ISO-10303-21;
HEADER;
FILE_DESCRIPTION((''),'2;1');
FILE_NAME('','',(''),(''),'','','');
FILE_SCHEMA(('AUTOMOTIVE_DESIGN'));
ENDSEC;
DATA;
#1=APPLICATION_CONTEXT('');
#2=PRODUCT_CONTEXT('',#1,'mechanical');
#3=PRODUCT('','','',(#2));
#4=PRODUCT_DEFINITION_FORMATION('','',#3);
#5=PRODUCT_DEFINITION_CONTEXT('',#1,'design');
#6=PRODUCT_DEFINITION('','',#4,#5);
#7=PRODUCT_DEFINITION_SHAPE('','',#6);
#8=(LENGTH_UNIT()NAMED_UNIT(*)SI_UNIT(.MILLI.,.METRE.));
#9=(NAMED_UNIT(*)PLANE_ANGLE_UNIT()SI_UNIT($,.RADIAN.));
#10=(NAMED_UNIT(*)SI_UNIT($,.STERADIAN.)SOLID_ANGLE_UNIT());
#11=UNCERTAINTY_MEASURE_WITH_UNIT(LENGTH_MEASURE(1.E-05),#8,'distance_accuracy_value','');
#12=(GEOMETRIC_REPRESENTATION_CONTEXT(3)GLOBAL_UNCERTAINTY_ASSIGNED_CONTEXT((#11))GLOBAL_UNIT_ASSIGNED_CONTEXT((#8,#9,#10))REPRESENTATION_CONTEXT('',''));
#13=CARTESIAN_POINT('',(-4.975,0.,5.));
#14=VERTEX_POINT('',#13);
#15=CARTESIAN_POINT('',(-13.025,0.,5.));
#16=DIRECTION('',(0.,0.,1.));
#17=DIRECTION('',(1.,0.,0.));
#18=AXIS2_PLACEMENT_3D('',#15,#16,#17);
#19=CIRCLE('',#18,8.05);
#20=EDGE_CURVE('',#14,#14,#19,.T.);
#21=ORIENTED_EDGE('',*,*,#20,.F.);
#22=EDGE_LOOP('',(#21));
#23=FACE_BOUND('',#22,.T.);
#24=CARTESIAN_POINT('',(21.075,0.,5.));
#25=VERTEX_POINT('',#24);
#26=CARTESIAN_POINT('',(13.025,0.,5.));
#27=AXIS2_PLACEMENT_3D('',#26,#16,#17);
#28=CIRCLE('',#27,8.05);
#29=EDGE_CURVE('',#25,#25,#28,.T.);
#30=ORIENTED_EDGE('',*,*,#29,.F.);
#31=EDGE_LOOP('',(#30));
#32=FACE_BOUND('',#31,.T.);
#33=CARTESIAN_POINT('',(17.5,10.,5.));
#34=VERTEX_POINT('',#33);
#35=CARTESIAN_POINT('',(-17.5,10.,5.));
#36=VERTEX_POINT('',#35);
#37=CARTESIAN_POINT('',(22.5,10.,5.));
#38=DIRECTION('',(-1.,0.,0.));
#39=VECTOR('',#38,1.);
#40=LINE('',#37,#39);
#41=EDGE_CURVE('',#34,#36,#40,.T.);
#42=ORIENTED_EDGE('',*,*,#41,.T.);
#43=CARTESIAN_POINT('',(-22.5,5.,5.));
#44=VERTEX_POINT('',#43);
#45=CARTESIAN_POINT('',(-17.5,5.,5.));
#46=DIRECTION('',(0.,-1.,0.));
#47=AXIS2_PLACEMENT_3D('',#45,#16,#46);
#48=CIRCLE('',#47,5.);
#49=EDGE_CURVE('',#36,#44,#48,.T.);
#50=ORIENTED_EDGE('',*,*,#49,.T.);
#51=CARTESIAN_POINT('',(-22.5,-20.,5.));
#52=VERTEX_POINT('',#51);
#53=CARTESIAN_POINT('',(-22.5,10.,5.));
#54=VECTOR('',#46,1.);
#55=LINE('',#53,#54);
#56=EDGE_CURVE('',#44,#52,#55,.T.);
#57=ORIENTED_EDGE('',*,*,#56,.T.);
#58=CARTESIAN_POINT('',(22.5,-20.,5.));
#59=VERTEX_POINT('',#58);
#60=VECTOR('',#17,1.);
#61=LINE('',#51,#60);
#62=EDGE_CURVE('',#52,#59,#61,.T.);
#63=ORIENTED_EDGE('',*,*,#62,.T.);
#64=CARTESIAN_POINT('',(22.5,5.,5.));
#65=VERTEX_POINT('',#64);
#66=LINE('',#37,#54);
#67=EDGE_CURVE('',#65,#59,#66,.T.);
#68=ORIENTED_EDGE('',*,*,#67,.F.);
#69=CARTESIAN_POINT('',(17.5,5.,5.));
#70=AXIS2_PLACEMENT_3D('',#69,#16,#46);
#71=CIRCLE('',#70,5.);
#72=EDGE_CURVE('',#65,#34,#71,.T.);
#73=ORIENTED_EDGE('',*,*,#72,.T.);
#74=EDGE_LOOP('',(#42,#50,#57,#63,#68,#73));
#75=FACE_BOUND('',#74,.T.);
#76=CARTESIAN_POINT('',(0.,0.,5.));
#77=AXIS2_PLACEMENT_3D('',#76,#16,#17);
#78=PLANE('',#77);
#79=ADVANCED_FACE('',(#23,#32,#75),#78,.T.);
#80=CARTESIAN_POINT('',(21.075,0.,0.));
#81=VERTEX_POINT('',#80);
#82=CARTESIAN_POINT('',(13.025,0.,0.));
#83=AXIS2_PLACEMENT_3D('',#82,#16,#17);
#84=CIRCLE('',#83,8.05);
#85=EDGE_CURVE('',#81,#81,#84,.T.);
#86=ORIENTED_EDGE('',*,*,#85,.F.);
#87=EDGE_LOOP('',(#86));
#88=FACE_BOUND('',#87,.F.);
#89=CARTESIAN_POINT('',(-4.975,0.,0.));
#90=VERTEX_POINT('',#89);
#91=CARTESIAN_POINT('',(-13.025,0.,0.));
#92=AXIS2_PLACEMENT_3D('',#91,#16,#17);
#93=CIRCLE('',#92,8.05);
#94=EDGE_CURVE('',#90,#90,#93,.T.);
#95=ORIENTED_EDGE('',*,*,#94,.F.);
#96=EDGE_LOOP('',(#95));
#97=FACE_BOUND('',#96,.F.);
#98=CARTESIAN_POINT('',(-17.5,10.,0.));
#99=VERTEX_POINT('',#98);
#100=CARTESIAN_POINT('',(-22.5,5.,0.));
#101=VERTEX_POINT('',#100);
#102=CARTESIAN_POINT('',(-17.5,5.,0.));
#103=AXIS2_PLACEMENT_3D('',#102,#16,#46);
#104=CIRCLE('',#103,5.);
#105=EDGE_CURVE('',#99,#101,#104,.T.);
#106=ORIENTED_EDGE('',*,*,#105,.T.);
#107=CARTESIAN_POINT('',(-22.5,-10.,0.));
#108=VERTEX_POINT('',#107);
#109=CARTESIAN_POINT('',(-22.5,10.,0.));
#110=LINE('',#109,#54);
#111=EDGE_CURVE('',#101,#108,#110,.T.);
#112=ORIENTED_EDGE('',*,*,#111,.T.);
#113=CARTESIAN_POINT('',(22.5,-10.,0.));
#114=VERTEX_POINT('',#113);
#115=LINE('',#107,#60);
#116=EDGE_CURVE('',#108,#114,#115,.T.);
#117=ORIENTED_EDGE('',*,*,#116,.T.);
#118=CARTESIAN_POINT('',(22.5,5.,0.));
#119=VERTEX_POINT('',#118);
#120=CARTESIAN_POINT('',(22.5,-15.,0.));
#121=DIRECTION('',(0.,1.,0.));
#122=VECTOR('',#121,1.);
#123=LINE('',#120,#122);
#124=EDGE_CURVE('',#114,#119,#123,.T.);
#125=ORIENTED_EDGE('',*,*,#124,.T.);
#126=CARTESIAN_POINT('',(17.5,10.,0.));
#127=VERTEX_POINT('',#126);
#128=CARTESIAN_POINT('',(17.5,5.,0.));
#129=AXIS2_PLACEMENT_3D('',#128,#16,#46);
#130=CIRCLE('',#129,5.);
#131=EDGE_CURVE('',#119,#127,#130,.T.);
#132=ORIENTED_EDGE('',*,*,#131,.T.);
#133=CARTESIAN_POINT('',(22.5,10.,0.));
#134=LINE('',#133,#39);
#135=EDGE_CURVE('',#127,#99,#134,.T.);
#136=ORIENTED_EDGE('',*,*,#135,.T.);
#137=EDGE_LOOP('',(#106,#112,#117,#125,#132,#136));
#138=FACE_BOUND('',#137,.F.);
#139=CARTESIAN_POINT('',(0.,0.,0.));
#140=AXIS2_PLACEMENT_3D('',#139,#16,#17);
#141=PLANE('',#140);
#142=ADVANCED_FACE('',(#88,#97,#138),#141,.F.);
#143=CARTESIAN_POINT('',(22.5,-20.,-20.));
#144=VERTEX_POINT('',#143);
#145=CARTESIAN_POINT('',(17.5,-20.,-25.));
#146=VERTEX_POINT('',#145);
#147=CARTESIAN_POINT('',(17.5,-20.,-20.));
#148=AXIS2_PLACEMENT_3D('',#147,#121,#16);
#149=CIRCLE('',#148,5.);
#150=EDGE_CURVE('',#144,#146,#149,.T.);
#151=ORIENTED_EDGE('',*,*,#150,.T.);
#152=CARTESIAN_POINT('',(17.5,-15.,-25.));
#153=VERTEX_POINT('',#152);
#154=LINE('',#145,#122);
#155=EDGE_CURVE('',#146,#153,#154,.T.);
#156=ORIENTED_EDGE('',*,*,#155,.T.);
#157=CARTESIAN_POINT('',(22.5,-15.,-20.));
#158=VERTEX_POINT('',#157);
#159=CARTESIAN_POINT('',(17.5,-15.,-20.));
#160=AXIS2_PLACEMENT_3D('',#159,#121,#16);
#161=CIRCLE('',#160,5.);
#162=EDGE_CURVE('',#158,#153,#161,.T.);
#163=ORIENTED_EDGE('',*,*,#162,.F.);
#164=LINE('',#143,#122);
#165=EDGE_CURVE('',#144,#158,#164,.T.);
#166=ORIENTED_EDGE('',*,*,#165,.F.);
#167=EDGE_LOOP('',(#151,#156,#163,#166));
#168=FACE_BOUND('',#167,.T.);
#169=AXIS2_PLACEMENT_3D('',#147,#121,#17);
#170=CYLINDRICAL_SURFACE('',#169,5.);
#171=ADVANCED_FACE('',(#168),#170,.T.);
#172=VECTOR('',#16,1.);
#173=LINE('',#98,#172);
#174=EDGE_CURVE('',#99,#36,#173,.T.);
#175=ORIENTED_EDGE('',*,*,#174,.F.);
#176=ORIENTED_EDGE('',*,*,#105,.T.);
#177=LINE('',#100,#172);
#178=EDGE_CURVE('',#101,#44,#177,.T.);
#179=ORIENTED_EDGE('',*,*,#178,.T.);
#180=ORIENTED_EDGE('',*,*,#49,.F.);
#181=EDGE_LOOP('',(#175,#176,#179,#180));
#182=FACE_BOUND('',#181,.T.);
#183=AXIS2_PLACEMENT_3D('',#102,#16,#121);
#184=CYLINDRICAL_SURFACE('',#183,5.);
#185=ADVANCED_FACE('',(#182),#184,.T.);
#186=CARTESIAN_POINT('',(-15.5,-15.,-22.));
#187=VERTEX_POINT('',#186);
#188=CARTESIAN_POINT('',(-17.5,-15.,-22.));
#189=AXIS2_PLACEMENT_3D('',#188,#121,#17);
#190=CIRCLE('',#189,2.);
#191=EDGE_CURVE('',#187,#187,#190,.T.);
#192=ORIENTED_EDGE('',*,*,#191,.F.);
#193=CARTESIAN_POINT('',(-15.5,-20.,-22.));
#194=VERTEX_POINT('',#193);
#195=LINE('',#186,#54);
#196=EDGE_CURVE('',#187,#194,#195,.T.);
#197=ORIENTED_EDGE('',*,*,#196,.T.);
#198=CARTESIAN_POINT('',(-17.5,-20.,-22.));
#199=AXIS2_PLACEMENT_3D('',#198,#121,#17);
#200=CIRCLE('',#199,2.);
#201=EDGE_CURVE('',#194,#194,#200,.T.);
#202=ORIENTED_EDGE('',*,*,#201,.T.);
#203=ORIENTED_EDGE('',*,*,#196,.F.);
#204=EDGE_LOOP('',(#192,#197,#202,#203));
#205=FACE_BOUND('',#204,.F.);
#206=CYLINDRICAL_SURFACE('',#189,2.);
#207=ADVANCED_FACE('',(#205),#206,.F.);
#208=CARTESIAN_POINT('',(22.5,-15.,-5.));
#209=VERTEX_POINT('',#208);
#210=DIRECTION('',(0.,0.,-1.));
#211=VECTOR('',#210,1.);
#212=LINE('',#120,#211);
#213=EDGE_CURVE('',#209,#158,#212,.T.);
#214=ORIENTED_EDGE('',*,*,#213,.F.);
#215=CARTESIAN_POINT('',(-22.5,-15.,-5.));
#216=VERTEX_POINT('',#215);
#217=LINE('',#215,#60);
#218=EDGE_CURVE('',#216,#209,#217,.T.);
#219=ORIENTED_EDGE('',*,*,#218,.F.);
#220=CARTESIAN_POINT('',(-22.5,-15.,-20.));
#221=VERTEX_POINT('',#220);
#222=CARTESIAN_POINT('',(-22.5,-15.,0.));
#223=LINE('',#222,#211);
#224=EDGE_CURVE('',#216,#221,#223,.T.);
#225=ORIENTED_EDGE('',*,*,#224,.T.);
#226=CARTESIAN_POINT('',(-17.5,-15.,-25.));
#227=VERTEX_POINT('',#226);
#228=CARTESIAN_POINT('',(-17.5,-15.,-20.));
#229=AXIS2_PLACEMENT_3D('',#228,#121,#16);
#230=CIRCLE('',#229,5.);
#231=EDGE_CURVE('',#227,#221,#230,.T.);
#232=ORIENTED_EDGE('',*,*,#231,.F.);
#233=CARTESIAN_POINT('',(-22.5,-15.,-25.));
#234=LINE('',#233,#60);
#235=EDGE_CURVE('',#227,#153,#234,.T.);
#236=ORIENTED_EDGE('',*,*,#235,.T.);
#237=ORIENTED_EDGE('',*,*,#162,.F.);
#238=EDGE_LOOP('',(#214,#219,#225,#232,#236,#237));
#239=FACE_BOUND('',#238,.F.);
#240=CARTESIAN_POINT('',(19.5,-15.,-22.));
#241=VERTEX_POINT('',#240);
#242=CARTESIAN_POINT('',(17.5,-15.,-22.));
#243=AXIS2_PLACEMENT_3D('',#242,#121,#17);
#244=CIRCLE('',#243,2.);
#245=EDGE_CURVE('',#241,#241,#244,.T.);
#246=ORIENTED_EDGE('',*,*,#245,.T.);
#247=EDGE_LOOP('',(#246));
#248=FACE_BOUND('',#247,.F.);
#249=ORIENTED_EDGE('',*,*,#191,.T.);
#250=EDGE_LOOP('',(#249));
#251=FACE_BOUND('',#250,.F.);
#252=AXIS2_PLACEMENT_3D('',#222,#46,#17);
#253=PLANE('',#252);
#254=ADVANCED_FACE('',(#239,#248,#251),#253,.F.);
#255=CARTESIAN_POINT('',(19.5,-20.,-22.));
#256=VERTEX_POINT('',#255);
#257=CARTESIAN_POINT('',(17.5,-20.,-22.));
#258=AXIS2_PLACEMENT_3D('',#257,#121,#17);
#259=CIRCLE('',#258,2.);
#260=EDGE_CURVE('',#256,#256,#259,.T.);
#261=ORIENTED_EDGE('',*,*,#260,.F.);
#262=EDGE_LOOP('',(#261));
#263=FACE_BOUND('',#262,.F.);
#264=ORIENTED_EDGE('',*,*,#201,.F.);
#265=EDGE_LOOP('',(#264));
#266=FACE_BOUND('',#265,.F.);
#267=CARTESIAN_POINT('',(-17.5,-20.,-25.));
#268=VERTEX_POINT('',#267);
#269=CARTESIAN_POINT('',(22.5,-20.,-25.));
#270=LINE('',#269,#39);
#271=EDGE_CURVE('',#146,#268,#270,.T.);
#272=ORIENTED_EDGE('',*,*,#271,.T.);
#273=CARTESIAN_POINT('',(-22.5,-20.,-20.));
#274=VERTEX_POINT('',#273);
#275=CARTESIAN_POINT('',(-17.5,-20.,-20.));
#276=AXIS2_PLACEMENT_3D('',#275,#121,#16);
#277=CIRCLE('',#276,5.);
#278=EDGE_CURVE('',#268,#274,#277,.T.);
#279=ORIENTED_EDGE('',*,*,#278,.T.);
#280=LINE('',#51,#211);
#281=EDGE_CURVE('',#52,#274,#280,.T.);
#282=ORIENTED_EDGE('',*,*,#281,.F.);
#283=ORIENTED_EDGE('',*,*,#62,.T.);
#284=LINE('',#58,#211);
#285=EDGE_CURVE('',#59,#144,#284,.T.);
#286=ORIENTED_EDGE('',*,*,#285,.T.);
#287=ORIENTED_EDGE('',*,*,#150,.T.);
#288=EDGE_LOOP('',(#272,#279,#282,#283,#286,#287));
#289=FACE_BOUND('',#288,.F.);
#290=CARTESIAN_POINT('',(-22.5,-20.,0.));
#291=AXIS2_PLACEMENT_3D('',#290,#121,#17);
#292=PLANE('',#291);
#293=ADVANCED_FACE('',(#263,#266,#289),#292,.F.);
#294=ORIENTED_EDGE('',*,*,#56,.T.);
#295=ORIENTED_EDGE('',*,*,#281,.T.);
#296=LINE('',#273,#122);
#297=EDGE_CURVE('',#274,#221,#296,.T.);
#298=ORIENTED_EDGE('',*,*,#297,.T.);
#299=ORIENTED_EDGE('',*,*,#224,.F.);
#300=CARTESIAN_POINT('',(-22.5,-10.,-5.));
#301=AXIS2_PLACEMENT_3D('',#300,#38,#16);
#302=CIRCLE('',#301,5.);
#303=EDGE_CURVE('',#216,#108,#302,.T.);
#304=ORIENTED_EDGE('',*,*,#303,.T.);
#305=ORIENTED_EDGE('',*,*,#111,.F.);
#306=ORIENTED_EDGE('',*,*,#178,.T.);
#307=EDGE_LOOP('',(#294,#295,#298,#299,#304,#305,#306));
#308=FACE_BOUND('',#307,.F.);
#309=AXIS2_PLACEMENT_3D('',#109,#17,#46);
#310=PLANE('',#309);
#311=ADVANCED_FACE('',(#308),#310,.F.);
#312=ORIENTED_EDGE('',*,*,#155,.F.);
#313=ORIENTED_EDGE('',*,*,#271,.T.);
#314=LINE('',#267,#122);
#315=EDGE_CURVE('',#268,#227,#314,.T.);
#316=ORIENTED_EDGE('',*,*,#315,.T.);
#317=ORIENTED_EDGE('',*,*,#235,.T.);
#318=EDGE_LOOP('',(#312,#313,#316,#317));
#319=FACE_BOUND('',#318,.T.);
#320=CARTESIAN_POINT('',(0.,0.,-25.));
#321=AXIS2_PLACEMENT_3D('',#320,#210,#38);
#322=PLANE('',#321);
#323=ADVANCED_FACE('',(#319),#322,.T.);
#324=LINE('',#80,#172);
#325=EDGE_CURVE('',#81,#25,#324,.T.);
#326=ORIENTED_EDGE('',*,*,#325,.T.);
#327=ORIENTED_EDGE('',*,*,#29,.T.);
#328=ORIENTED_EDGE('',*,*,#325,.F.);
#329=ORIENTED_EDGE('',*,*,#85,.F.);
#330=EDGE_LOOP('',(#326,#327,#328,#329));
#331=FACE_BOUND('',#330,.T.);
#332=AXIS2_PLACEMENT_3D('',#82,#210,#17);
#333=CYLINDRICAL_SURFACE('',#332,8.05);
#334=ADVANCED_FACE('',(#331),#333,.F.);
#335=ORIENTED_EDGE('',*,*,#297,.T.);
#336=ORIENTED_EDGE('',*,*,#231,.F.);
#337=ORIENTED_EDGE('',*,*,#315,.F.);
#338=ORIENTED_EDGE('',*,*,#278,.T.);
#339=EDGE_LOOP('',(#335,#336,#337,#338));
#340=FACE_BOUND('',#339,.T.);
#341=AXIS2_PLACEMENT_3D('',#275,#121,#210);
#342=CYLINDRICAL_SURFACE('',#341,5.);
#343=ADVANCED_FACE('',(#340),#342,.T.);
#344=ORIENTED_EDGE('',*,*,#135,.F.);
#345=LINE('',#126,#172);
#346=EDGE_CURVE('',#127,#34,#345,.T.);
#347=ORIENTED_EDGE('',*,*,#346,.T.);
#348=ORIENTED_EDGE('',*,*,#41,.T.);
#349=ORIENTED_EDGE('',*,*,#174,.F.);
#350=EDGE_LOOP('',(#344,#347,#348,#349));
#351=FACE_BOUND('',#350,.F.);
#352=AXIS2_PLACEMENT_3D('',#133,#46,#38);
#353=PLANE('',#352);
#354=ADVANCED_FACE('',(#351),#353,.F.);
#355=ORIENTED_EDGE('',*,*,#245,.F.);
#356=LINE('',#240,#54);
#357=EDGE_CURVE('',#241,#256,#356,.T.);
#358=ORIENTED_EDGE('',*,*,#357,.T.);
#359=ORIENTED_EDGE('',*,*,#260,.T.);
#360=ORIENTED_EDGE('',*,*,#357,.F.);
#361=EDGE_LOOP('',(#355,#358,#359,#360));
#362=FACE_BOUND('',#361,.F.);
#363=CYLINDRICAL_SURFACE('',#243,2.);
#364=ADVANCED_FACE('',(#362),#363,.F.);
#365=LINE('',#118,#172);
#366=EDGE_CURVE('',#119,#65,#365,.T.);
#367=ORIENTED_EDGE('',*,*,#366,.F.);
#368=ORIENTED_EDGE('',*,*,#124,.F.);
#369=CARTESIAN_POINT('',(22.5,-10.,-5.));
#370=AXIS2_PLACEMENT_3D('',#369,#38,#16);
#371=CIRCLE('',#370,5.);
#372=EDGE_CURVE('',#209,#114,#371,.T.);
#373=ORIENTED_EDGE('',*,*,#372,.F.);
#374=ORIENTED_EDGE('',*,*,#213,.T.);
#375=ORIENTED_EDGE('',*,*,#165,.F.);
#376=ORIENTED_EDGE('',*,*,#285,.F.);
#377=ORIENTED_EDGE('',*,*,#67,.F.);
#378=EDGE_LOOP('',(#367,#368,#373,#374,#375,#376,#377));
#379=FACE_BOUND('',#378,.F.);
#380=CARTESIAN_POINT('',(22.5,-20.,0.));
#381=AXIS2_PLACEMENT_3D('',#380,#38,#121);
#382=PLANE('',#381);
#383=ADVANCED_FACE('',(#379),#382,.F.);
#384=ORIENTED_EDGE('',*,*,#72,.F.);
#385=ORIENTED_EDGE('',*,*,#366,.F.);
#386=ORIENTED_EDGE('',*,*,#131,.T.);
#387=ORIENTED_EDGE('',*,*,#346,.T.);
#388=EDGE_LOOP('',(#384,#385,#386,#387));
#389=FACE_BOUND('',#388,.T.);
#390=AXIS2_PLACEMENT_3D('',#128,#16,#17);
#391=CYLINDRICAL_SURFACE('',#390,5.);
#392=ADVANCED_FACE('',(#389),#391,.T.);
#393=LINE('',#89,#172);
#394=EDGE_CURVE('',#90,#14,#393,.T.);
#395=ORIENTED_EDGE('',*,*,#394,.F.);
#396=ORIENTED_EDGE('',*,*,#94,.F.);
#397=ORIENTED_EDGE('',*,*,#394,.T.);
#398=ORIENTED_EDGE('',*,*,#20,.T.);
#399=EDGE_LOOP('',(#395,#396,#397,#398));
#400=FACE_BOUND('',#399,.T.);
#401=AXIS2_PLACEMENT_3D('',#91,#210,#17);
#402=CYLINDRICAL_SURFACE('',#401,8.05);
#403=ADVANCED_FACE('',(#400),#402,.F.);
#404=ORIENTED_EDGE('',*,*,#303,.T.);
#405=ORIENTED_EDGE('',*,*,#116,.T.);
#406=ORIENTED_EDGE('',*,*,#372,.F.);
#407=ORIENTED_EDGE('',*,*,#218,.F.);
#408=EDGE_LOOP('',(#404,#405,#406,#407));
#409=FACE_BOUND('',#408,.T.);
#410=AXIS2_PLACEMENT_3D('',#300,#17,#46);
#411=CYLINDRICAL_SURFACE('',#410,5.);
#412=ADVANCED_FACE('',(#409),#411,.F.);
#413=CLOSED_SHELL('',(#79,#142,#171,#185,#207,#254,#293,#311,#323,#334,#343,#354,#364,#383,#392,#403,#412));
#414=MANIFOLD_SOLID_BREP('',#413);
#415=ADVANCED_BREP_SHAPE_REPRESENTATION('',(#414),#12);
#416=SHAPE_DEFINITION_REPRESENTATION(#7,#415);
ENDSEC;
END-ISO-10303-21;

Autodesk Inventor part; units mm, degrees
ref_plane "YZ Plane" through (0, 0, 0) normal (1, 0, 0) x (0, 1, 0)
ref_plane "XZ Plane" through (0, 0, 0) normal (0, 1, 0) x (-1, 0, 0)
ref_plane "XY Plane" through (0, 0, 0) normal (0, 0, 1) x (1, 0, 0)
sketch "Náčrt1" plane through (0, 0, 0) normal (0, 0, 1) x (1, 0, 0)
  circle A0 centre (13.025, 0) radius 8.05
  circle A1 centre (-13.025, 0) radius 8.05
  line L0 (22.5, 0) -> (22.5, 10)
  line L1 (22.5, 10) -> (-22.5, 10)
  line L2 (-22.5, 10) -> (-22.5, -20)
  line L3 (-22.5, -20) -> (22.5, -20)
  line L4 (22.5, -20) -> (22.5, 0)
  point P0 (0, 0)
  point P1 (0, 0)
  dimension "d2" = 16.1
  dimension "d5" = 10
  dimension "d6" = 30
  dimension "d18" = 16.1
extrude "Vysunutí1" add sketch "Náčrt1" along normal blind 5
sketch "Náčrt2" plane through (0, 0, 0) normal (0, 0, -1) x (-1, 0, 0)
  line L0 (-22.5, -20) -> (-22.5, 10) projected
  line L1 (-22.5, -20) -> (22.5, -20)
  line L2 (22.5, -20) -> (22.5, -15)
  line L3 (22.5, -15) -> (-22.5, -15)
  line L4 (-22.5, -15) -> (-22.5, -20)
  point P0 (0, 0)
  dimension "d9" = 45
  dimension "d10" = 5
extrude "Vysunutí2" add sketch "Náčrt2" along normal blind 25
sketch "Náčrt3" plane through (-22.5, -15, 0) normal (0, 1, 0) x (1, 0, 0)
  circle A0 centre (40, 22) radius 2
  line L0 (45, 0) -> (45, 25) projected
  line L1 (0, 25) -> (45, 25) projected
  line L2 (22.5, 25) -> (22.5, 18.3064)
  circle A1 centre (5, 22) radius 2
  point P0 (22.5, 0)
  dimension "d13" = 4
  dimension "d14" = 5
  dimension "d15" = 3
extrude "Vysunutí3" cut sketch "Náčrt3" against normal blind 25
fillet "Zaoblení1" radius 5 4 edges at (-22.5, 10, 2.5) (22.5, 10, 2.5) (22.5, -17.5, -25) (-22.5, -17.5, -25)
fillet "Zaoblení2" radius 5 1 edges at (0, -15, 0)
properties part number "distance sensor"
